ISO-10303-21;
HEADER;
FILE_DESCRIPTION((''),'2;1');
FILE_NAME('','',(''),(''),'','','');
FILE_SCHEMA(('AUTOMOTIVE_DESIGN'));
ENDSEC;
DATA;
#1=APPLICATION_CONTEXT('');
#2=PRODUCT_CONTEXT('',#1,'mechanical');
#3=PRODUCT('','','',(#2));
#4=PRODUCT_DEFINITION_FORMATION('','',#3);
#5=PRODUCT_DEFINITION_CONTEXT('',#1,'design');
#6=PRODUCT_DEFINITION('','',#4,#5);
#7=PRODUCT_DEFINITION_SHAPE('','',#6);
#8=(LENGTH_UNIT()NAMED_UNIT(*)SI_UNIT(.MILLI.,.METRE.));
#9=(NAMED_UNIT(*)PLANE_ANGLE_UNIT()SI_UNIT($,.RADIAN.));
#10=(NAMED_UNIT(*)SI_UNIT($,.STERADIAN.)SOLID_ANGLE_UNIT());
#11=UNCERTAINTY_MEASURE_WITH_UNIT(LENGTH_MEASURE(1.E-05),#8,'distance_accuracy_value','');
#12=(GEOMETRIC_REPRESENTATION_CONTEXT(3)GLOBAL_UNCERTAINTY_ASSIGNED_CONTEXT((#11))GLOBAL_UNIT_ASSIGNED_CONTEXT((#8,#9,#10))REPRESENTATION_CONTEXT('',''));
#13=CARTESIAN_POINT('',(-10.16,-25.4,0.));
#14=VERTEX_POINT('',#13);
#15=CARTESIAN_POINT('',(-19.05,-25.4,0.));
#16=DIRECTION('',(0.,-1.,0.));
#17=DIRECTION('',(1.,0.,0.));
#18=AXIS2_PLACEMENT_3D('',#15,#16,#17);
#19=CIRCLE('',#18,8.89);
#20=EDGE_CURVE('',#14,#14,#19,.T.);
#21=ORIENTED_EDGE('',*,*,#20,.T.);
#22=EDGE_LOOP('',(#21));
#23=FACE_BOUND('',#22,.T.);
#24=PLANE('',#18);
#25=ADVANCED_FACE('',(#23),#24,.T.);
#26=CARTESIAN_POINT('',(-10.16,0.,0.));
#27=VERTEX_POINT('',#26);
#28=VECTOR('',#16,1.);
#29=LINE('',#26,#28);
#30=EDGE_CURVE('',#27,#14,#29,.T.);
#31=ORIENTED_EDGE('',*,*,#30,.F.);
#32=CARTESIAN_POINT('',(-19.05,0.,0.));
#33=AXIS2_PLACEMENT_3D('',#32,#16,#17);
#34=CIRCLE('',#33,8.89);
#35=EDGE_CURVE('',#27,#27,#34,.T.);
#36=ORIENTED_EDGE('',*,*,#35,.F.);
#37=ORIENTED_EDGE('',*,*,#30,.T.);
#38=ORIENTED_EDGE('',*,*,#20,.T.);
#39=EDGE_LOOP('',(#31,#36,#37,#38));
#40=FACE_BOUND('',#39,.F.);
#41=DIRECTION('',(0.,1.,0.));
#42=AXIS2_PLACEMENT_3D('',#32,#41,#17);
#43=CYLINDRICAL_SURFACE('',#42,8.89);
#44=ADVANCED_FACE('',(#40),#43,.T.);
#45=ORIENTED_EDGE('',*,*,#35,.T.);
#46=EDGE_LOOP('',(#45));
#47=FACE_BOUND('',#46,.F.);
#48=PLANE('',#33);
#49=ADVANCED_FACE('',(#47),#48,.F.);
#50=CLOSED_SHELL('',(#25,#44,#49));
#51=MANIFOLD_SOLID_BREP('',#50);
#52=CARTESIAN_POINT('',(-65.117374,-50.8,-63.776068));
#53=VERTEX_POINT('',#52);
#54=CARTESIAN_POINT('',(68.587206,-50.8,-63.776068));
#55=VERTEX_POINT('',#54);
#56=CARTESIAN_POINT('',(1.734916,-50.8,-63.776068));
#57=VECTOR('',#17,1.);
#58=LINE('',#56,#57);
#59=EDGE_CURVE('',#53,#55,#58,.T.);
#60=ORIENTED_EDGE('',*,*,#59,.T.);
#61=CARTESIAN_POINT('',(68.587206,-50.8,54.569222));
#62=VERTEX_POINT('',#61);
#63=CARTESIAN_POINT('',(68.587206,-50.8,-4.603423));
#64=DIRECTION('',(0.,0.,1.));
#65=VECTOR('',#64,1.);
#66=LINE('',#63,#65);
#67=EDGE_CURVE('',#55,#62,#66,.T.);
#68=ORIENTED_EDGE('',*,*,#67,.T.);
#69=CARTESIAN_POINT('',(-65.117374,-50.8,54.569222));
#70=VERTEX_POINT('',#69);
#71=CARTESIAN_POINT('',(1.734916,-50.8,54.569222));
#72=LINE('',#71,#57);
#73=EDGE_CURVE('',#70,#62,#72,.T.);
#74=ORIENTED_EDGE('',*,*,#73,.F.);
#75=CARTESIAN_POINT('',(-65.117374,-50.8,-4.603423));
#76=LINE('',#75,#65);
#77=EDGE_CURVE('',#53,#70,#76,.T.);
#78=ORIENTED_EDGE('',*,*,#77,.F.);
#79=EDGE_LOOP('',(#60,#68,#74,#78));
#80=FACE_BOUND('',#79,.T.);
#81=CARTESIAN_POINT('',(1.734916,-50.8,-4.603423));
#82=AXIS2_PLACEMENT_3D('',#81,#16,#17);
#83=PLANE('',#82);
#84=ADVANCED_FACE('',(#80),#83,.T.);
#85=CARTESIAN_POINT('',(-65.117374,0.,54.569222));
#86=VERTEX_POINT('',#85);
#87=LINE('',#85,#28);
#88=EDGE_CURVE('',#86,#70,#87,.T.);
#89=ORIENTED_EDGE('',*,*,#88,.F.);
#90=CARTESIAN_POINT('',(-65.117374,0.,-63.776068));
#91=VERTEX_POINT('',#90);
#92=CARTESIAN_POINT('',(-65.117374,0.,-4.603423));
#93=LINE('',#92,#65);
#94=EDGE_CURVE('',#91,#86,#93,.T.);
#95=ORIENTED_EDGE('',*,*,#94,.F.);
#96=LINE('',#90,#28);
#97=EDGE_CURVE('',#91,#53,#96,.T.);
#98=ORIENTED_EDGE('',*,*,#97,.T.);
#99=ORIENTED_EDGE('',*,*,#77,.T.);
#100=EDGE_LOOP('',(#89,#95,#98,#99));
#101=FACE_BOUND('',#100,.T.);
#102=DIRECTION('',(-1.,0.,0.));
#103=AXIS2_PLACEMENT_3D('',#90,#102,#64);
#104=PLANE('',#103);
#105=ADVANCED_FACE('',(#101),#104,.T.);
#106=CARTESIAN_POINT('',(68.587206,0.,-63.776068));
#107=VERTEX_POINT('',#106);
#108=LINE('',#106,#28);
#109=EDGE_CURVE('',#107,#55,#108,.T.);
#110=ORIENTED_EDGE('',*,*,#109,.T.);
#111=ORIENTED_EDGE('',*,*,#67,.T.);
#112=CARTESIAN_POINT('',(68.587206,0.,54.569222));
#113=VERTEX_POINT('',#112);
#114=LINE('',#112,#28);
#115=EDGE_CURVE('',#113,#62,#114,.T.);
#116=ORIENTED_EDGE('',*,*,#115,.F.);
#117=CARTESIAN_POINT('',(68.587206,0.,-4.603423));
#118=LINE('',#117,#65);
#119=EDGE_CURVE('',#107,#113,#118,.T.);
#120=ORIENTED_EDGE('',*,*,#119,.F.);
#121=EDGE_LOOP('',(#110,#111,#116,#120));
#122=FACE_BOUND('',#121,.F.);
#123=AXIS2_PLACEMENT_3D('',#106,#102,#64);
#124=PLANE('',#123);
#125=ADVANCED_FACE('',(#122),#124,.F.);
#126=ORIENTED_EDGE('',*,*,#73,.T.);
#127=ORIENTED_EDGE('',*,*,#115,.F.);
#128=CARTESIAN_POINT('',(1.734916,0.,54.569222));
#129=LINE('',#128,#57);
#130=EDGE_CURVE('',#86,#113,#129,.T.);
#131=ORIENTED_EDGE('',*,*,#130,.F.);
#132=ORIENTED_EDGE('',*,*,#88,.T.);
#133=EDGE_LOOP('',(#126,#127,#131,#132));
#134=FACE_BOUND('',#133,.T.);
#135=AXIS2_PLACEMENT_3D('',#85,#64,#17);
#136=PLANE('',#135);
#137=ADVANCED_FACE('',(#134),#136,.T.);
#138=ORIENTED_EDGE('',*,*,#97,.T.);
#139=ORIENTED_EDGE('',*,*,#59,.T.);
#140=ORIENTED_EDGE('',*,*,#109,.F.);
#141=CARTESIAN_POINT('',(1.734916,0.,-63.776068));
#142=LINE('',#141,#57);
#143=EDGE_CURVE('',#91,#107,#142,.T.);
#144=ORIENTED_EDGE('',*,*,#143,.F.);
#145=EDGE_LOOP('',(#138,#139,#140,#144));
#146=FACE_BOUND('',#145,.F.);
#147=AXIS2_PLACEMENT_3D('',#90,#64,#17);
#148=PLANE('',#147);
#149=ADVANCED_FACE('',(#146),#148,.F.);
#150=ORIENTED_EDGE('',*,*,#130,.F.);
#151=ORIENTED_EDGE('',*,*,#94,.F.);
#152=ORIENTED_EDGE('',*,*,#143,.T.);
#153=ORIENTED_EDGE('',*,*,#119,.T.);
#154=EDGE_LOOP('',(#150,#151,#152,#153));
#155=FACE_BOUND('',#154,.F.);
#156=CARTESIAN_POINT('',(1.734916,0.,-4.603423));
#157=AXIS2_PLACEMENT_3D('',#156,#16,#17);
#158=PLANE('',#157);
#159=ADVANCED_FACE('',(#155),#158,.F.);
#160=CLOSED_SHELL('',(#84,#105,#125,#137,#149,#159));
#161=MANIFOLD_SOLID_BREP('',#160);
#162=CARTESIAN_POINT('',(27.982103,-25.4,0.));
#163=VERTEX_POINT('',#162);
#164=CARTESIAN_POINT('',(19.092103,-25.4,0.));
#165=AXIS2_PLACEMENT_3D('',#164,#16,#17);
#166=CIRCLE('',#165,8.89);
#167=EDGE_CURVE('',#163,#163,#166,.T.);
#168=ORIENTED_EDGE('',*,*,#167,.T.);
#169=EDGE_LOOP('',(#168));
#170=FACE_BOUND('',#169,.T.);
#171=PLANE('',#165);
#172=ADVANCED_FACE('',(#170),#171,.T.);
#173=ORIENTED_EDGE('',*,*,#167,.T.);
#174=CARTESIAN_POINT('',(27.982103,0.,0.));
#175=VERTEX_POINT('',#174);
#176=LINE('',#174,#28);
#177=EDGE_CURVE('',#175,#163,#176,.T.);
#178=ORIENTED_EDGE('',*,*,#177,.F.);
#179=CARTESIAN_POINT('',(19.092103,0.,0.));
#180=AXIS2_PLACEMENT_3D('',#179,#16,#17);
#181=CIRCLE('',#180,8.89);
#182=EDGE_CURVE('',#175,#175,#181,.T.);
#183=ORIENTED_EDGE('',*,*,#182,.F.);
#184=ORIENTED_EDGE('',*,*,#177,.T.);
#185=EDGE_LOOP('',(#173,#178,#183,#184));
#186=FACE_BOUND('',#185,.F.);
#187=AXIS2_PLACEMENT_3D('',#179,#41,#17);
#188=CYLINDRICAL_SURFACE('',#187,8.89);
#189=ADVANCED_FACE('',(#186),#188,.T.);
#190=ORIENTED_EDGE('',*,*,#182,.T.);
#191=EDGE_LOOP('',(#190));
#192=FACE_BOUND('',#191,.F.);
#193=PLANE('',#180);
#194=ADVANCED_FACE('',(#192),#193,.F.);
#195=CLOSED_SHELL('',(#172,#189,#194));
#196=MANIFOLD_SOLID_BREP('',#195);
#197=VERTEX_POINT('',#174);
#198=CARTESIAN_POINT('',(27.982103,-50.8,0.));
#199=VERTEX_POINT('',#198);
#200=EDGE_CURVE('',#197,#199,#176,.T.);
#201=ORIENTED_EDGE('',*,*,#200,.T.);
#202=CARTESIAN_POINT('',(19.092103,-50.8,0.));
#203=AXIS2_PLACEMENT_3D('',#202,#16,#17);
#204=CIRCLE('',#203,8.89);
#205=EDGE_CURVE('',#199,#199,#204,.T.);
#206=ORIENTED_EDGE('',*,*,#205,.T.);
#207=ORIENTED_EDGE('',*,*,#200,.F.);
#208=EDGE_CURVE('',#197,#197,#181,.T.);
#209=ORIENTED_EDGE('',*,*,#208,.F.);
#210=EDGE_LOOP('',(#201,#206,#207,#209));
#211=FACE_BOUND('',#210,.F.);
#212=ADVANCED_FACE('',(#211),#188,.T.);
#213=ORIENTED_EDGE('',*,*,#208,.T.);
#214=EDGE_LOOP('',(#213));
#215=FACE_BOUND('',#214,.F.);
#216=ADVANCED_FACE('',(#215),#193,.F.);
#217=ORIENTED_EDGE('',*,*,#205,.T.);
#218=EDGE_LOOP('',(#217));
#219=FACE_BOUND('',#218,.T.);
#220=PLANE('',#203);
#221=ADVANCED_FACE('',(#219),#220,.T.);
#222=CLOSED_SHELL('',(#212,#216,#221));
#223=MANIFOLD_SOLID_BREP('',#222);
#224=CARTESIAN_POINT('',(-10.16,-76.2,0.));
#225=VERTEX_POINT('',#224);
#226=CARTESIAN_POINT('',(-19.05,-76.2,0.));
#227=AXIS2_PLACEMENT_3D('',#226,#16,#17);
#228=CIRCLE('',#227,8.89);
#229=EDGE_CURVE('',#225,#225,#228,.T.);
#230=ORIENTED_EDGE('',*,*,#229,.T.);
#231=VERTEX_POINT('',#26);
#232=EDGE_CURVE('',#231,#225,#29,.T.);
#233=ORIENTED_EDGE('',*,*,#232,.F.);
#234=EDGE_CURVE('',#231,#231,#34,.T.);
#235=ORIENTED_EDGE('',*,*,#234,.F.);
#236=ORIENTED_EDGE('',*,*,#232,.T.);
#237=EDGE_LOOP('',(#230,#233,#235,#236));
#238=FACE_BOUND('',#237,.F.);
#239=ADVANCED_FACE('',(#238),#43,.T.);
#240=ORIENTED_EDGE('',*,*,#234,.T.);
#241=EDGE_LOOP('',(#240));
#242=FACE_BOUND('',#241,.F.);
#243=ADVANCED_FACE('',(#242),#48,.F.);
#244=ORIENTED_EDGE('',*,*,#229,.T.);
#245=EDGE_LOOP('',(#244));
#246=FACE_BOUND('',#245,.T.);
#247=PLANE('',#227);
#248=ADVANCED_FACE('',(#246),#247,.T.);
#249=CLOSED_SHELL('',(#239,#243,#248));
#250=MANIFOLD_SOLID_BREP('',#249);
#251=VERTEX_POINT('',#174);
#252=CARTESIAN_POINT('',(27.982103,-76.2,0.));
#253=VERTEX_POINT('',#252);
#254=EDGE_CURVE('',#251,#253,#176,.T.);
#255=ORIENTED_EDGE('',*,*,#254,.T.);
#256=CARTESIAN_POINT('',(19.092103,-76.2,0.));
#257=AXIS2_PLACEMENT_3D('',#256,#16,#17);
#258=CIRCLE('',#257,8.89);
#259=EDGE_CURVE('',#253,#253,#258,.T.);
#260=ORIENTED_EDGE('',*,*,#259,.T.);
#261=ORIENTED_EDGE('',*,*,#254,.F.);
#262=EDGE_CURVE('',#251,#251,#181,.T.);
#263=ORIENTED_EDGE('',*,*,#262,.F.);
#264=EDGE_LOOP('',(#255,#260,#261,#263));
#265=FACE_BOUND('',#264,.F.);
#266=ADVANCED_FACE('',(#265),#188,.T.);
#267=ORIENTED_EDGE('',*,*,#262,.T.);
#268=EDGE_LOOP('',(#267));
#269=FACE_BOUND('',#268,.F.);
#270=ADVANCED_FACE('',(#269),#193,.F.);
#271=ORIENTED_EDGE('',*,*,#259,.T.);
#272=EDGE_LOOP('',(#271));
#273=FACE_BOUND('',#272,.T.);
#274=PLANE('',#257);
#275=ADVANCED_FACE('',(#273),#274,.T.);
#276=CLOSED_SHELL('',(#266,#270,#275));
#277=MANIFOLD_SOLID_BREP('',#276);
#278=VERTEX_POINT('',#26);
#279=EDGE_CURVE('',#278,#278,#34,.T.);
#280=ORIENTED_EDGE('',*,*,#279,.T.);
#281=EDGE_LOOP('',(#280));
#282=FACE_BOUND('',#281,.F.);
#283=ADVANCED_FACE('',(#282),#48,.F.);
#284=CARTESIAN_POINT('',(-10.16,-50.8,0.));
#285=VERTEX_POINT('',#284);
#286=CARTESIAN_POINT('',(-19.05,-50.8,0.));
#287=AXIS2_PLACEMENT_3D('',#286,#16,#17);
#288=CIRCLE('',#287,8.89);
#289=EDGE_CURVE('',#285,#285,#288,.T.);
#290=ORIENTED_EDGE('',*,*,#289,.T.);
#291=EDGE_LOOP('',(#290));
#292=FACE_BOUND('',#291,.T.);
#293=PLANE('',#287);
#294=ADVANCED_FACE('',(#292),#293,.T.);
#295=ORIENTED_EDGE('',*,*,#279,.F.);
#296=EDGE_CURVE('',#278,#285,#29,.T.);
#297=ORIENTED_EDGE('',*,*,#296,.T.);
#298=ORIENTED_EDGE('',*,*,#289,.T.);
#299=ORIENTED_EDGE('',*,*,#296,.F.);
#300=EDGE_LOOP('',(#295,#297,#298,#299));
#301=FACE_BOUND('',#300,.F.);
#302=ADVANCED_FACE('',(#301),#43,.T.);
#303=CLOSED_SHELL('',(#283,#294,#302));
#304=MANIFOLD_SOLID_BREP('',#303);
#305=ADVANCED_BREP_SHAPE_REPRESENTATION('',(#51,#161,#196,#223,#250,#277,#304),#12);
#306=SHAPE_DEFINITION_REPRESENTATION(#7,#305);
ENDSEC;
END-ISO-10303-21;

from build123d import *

# Parameters (mm, degrees)
F1_R     = 8.89
F2_DEPTH = 50.8
F0_W     = 133.7045803666
F0_H     = 118.3452904224
F3_DEPTH = 25.4
F4_DEPTH = 76.2


with BuildPart() as f2:
    # F1 (on face) → F2 (new body)
    with BuildSketch(Plane.XZ):
        with Locations((-19.05, 0)):
            Circle(F1_R)
    extrude(amount=F2_DEPTH)


with BuildPart() as f2b:
    # F1 (on face) → F2, piece 2 (new body)
    with BuildSketch(Plane.XZ):
        with Locations((19.0921034532, 0)):
            Circle(F1_R)
    extrude(amount=F2_DEPTH)


with BuildPart() as f2c:
    # F0 (on Front) → F2, piece 3 (new body)
    with BuildSketch(Plane.XZ):
        with Locations((1.7349161208, -4.6034231782)):
            Rectangle(F0_W, F0_H)
    extrude(amount=F2_DEPTH)


with BuildPart() as f3:
    # F1 (on face) → F3 (new body)
    with BuildSketch(Plane.XZ):
        with Locations((-19.05, 0)):
            Circle(F1_R)
    extrude(amount=F3_DEPTH)


with BuildPart() as f3b:
    # F1 (on face) → F3, piece 2 (new body)
    with BuildSketch(Plane.XZ):
        with Locations((19.0921034532, 0)):
            Circle(F1_R)
    extrude(amount=F3_DEPTH)


with BuildPart() as f4:
    # F1 (on face) → F4 (new body)
    with BuildSketch(Plane.XZ):
        with Locations((-19.05, 0)):
            Circle(F1_R)
    extrude(amount=F4_DEPTH)


with BuildPart() as f4b:
    # F1 (on face) → F4, piece 2 (new body)
    with BuildSketch(Plane.XZ):
        with Locations((19.0921034532, 0)):
            Circle(F1_R)
    extrude(amount=F4_DEPTH)


solid = Compound([f2.part, f2b.part, f2c.part, f3.part, f3b.part, f4.part, f4b.part])
